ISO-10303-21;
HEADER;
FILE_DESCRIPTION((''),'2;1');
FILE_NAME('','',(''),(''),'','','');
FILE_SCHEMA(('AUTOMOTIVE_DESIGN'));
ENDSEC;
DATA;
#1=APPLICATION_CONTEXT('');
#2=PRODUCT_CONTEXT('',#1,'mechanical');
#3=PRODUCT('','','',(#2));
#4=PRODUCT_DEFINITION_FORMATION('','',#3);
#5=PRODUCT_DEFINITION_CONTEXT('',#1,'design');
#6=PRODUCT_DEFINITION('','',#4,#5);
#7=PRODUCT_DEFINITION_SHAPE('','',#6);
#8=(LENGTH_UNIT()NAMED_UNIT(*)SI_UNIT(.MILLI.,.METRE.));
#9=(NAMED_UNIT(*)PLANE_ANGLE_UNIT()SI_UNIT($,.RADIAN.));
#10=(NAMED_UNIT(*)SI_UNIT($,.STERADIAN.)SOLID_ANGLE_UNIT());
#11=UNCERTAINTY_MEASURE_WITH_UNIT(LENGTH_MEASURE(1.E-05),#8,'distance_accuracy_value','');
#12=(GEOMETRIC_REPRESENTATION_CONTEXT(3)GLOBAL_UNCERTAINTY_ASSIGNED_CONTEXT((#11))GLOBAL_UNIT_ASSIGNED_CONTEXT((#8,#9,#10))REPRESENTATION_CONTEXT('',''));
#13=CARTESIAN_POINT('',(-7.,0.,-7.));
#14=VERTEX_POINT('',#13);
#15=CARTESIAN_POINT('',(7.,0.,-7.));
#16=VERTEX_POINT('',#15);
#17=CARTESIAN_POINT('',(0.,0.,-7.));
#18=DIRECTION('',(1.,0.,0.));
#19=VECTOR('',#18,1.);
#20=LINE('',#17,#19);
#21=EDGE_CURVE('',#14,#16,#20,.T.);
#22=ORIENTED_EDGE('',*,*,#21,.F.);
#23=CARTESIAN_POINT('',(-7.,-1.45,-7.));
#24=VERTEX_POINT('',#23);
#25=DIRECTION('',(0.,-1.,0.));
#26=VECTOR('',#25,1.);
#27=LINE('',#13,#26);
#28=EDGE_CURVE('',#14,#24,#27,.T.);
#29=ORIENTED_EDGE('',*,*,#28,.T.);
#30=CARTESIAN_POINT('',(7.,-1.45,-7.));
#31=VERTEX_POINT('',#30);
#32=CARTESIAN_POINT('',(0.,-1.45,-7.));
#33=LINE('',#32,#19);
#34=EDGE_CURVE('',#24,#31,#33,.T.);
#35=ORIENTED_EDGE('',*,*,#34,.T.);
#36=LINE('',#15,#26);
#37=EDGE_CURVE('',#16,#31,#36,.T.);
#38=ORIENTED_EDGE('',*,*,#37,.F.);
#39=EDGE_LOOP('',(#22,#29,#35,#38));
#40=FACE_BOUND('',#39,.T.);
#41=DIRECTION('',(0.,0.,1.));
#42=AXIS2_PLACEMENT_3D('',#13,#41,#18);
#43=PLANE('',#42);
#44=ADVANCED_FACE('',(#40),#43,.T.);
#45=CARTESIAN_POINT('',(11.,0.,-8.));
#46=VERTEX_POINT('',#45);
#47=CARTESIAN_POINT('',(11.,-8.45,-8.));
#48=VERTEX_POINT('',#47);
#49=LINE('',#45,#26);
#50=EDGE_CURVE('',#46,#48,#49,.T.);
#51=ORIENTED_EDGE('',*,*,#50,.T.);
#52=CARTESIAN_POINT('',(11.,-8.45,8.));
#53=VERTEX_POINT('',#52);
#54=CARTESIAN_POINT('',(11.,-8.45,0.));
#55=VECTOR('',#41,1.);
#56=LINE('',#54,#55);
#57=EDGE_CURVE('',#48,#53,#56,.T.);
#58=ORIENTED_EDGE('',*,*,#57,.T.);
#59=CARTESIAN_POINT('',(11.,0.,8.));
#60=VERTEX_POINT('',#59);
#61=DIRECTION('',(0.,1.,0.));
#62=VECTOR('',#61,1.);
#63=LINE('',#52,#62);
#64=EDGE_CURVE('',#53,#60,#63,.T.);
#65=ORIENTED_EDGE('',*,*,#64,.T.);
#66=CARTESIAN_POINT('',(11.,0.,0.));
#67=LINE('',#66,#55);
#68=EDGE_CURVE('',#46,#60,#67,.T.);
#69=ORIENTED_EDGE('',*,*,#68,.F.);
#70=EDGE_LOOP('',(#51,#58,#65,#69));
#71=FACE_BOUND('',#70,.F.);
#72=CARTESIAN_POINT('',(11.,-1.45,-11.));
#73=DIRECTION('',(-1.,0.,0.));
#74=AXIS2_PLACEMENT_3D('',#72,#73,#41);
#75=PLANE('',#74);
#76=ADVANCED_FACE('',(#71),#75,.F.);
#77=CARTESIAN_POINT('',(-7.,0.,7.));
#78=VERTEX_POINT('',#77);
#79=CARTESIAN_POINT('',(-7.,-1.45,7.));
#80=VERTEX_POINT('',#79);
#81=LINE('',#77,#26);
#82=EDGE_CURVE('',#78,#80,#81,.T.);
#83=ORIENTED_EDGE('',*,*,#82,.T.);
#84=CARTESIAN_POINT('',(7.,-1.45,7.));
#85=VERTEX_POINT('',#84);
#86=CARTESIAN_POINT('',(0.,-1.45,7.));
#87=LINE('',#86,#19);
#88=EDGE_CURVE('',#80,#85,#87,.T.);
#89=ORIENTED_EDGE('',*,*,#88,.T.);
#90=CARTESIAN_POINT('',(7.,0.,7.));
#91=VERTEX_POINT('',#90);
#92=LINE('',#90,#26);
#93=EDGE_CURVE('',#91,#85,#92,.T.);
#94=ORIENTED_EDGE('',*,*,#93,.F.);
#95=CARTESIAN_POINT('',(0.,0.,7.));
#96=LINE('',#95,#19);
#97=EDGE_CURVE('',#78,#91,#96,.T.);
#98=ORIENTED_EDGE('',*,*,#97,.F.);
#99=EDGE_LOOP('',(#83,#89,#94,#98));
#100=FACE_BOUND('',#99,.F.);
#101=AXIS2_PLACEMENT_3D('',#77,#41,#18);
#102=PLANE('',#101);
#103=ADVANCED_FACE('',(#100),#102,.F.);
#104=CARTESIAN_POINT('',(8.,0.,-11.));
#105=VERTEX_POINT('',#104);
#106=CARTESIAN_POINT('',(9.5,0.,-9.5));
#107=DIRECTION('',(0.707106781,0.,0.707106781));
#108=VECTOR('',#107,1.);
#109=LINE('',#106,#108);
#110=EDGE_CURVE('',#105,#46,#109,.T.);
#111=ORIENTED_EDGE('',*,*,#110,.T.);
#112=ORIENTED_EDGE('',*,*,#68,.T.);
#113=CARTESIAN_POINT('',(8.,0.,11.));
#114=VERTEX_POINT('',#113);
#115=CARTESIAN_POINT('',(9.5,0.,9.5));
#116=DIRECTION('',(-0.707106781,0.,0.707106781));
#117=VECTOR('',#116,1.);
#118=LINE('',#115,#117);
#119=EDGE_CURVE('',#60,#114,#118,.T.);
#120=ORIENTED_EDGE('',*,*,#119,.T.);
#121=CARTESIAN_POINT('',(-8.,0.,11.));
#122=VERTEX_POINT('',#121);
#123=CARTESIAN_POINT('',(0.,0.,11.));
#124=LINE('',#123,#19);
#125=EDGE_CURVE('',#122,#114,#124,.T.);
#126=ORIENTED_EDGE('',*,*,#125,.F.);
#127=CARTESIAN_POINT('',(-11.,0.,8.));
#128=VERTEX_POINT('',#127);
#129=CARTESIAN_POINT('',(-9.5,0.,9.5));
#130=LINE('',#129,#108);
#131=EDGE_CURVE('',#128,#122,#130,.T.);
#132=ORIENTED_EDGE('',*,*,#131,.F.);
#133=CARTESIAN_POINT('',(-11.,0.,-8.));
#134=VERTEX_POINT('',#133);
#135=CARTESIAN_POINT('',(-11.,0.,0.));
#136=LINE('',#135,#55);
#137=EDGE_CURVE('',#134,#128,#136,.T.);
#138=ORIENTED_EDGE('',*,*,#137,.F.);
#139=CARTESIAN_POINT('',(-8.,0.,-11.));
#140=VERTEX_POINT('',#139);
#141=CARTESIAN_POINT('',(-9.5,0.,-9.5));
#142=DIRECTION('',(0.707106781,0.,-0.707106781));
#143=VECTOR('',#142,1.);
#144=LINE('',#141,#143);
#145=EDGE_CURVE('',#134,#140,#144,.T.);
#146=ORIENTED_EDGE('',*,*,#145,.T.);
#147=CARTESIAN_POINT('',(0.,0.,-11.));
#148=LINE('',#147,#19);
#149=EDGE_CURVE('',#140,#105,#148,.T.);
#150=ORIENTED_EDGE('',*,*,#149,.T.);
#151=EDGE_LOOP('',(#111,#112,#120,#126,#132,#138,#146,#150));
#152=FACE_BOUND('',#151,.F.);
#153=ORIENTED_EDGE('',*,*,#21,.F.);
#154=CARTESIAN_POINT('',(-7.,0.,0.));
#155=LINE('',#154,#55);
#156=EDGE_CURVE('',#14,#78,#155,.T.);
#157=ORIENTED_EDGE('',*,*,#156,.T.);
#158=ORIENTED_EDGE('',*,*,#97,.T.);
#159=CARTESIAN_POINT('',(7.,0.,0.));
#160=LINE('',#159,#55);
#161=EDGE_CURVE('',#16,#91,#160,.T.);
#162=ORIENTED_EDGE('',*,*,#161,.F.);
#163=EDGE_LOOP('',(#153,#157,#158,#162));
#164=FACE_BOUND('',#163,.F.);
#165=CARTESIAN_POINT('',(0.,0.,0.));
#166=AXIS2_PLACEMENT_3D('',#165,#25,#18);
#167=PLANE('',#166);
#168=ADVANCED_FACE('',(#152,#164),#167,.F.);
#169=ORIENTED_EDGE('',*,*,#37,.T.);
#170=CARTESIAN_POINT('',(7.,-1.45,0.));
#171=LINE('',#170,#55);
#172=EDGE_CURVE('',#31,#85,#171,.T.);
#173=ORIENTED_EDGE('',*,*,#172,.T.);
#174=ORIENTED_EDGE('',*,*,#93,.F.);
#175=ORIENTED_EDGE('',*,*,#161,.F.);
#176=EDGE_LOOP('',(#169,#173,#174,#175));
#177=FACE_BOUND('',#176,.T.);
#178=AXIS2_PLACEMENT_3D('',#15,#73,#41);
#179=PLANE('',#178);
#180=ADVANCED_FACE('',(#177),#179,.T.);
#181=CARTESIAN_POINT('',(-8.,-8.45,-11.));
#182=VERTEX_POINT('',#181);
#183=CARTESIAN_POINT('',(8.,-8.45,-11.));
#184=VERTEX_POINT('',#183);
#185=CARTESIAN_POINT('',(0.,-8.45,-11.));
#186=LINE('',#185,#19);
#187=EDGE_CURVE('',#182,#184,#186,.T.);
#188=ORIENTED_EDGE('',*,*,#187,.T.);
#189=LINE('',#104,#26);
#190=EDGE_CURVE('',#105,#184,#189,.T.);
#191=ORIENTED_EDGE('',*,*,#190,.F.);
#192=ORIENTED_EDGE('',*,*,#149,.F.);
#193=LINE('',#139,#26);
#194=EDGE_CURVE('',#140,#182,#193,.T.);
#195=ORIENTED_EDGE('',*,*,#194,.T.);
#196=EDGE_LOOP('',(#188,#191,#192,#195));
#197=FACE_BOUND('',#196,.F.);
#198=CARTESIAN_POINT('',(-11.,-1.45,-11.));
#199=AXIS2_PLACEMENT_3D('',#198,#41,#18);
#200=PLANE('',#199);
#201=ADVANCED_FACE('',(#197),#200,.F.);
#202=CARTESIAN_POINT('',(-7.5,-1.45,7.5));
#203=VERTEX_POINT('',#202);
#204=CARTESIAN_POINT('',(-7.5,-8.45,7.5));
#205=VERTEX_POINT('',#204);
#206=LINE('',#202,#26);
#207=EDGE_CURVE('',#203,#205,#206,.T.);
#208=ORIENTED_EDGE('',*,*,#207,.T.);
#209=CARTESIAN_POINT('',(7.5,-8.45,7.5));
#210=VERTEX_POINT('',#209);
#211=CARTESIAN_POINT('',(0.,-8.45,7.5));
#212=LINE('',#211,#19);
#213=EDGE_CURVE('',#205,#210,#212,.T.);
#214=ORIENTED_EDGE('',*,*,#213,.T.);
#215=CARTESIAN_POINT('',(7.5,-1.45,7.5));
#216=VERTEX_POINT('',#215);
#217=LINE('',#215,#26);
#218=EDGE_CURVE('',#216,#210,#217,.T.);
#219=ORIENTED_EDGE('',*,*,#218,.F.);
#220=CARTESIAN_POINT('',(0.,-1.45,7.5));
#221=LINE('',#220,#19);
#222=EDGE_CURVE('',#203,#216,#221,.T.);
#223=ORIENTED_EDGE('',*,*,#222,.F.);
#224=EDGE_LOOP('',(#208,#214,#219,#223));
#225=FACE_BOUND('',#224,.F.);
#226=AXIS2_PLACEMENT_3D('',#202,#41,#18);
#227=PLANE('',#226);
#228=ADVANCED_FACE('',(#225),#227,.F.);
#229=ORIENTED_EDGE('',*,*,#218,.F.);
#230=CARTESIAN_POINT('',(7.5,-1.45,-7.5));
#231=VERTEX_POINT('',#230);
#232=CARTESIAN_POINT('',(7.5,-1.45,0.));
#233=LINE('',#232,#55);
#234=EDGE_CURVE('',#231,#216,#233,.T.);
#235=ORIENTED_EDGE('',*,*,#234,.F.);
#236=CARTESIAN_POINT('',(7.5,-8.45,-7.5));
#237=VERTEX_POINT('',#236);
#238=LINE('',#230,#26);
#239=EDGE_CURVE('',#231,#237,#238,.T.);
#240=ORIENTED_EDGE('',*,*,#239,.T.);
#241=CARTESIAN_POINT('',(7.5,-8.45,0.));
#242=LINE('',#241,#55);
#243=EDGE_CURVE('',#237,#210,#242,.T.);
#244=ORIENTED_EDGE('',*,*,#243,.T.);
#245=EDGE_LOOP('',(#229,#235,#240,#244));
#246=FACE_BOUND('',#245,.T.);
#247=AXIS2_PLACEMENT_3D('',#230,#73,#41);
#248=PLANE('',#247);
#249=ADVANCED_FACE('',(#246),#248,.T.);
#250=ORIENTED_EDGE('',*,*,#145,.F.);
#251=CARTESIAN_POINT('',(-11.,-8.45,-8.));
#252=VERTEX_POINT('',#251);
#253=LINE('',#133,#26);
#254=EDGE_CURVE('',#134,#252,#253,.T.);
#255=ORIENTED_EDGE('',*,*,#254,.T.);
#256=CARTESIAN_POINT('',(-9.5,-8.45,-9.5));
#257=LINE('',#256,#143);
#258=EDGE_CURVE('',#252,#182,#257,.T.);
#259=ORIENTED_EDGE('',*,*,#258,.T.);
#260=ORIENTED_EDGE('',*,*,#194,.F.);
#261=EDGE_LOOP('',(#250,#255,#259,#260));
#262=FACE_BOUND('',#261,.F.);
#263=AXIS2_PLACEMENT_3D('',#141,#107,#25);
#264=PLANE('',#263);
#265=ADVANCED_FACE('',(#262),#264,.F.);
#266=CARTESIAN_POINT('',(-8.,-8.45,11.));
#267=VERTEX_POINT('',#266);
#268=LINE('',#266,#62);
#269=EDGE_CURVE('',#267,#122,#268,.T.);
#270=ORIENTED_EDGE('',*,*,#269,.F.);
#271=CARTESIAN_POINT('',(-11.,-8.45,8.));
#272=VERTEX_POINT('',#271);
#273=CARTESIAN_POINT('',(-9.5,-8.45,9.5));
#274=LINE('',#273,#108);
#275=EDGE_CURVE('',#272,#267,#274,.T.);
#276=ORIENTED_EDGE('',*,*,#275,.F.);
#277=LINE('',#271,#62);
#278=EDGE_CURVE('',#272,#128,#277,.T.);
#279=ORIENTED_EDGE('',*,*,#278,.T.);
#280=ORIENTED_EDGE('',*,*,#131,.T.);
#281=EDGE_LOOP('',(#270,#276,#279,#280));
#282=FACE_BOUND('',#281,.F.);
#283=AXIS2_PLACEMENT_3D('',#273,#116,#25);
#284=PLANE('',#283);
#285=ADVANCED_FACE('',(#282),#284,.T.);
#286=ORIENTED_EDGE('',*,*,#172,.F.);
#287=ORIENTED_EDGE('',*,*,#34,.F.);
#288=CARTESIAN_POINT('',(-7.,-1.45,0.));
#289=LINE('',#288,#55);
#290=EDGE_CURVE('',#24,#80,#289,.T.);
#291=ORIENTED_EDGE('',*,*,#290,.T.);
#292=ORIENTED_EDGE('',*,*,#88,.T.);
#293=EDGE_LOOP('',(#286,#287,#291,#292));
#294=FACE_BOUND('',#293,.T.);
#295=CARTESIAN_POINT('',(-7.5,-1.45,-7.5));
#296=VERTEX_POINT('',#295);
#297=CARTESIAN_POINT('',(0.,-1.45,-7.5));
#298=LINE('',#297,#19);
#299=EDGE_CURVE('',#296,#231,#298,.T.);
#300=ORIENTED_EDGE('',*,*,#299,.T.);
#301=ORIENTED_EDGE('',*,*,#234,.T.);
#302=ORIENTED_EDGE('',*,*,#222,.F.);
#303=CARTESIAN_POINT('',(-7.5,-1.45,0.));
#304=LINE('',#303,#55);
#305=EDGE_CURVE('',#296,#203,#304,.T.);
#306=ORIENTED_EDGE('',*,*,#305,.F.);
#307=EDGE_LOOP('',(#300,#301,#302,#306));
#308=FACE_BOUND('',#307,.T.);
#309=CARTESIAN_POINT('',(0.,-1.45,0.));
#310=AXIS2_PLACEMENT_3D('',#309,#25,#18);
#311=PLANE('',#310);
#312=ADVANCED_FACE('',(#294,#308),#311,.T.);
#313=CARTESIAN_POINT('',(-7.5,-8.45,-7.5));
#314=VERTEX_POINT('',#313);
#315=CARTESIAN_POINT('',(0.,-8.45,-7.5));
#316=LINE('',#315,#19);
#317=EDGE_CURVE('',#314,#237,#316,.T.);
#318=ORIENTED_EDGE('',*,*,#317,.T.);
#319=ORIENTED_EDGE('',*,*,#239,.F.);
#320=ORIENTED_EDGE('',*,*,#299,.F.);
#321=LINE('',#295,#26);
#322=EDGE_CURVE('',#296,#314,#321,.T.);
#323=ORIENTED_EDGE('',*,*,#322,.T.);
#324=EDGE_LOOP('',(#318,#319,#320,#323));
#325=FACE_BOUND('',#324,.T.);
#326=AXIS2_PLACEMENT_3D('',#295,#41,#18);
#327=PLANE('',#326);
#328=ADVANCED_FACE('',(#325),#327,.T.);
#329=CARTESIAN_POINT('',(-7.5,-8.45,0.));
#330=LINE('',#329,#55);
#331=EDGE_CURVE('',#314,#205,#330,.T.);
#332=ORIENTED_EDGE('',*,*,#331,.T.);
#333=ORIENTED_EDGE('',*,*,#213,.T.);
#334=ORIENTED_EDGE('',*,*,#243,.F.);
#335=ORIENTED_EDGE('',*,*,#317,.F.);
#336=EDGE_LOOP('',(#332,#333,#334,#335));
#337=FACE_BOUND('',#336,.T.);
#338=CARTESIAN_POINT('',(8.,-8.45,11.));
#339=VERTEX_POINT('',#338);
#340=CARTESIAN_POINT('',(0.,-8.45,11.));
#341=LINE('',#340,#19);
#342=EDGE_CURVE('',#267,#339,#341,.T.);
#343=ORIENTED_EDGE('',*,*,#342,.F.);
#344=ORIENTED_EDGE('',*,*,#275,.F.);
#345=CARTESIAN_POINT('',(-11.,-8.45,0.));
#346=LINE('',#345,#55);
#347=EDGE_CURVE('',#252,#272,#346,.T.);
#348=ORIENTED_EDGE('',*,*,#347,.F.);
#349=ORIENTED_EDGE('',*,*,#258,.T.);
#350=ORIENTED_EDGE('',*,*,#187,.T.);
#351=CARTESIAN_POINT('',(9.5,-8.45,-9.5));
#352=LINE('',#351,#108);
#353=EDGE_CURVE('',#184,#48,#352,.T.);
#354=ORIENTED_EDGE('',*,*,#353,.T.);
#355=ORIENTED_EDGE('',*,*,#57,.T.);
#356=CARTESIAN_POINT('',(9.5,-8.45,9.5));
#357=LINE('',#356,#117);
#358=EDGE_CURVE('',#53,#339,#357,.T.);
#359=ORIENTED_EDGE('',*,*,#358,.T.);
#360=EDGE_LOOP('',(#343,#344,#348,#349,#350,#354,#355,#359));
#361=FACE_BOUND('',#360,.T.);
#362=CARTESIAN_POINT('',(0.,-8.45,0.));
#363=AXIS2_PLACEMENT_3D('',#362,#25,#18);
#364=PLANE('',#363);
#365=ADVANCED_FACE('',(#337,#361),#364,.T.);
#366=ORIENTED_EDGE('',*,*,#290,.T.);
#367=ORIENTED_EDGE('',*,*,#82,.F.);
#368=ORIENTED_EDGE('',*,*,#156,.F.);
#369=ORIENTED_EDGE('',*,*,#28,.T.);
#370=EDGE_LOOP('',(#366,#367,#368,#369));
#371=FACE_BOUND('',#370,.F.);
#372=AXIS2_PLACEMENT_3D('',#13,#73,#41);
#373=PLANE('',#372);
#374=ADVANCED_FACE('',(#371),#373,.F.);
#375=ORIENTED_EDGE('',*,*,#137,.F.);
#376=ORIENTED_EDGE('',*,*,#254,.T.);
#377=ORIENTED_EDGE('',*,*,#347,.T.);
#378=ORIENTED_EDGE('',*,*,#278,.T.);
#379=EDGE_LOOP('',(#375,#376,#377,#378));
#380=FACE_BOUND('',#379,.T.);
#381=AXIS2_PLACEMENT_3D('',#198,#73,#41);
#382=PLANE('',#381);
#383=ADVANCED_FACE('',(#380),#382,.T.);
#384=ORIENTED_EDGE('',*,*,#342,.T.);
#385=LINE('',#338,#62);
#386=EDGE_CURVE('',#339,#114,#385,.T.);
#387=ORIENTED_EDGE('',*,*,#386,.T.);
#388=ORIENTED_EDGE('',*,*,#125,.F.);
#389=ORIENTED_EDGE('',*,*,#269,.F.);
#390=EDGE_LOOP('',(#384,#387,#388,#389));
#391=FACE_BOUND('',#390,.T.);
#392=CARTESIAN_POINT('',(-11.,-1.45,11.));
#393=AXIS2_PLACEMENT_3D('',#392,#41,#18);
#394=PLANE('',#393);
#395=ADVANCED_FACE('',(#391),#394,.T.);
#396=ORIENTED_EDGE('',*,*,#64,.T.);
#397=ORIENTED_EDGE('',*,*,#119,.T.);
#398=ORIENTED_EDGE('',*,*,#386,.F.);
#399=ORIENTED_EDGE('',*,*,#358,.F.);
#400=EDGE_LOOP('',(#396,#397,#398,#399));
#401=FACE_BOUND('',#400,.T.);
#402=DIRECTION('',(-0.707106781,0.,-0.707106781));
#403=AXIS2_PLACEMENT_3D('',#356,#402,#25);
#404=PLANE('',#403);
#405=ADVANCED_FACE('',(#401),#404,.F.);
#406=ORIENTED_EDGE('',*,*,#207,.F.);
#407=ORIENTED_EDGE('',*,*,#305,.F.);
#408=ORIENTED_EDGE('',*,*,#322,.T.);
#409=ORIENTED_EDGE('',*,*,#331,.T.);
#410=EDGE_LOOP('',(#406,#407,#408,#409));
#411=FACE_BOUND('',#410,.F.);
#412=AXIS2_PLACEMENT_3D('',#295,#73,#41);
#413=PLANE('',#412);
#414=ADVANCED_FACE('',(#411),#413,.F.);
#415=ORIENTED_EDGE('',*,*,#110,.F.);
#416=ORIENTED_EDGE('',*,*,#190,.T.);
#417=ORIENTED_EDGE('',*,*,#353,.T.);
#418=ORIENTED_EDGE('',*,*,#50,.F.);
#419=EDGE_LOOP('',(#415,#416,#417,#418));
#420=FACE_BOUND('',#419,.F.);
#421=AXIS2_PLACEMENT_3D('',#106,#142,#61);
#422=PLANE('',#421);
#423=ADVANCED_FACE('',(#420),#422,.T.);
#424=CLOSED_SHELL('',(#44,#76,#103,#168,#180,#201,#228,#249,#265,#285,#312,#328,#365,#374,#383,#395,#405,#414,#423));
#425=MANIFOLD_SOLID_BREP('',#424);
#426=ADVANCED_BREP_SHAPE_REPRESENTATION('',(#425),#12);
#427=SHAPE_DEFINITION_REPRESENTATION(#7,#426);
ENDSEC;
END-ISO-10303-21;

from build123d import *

# Parameters (mm, degrees)
F0_W     = 22
F0_H     = 22
F0_W_2   = 14
F0_H_2   = 14
F1_DEPTH = 1.45
F2_W     = 22
F2_H     = 22
F2_W_2   = 15
F2_H_2   = 15
F3_DEPTH = 7
F4_SIZE  = 3


with BuildPart() as f1:
    # F0 (on Front) → F1 (new body)
    with BuildSketch(Plane.XZ):
        Rectangle(F0_W, F0_H)
        Rectangle(F0_W_2, F0_H_2, mode=Mode.SUBTRACT)
    extrude(amount=F1_DEPTH)

    # F2 (on face) → F3 (join)
    with BuildSketch(Plane.XZ.offset(1.45)):
        Rectangle(F2_W, F2_H)
        Rectangle(F2_W_2, F2_H_2, mode=Mode.SUBTRACT)
    extrude(amount=F3_DEPTH)

    # F4
    f4_edges = [f1.edges().sort_by_distance(p)[0] for p in [
        (-11, -4.225, 11),
        (11, -4.225, 11),
        (11, -4.225, -11),
        (-11, -4.225, -11),
    ]]
    chamfer(f4_edges, length=F4_SIZE)


solid = f1.part
